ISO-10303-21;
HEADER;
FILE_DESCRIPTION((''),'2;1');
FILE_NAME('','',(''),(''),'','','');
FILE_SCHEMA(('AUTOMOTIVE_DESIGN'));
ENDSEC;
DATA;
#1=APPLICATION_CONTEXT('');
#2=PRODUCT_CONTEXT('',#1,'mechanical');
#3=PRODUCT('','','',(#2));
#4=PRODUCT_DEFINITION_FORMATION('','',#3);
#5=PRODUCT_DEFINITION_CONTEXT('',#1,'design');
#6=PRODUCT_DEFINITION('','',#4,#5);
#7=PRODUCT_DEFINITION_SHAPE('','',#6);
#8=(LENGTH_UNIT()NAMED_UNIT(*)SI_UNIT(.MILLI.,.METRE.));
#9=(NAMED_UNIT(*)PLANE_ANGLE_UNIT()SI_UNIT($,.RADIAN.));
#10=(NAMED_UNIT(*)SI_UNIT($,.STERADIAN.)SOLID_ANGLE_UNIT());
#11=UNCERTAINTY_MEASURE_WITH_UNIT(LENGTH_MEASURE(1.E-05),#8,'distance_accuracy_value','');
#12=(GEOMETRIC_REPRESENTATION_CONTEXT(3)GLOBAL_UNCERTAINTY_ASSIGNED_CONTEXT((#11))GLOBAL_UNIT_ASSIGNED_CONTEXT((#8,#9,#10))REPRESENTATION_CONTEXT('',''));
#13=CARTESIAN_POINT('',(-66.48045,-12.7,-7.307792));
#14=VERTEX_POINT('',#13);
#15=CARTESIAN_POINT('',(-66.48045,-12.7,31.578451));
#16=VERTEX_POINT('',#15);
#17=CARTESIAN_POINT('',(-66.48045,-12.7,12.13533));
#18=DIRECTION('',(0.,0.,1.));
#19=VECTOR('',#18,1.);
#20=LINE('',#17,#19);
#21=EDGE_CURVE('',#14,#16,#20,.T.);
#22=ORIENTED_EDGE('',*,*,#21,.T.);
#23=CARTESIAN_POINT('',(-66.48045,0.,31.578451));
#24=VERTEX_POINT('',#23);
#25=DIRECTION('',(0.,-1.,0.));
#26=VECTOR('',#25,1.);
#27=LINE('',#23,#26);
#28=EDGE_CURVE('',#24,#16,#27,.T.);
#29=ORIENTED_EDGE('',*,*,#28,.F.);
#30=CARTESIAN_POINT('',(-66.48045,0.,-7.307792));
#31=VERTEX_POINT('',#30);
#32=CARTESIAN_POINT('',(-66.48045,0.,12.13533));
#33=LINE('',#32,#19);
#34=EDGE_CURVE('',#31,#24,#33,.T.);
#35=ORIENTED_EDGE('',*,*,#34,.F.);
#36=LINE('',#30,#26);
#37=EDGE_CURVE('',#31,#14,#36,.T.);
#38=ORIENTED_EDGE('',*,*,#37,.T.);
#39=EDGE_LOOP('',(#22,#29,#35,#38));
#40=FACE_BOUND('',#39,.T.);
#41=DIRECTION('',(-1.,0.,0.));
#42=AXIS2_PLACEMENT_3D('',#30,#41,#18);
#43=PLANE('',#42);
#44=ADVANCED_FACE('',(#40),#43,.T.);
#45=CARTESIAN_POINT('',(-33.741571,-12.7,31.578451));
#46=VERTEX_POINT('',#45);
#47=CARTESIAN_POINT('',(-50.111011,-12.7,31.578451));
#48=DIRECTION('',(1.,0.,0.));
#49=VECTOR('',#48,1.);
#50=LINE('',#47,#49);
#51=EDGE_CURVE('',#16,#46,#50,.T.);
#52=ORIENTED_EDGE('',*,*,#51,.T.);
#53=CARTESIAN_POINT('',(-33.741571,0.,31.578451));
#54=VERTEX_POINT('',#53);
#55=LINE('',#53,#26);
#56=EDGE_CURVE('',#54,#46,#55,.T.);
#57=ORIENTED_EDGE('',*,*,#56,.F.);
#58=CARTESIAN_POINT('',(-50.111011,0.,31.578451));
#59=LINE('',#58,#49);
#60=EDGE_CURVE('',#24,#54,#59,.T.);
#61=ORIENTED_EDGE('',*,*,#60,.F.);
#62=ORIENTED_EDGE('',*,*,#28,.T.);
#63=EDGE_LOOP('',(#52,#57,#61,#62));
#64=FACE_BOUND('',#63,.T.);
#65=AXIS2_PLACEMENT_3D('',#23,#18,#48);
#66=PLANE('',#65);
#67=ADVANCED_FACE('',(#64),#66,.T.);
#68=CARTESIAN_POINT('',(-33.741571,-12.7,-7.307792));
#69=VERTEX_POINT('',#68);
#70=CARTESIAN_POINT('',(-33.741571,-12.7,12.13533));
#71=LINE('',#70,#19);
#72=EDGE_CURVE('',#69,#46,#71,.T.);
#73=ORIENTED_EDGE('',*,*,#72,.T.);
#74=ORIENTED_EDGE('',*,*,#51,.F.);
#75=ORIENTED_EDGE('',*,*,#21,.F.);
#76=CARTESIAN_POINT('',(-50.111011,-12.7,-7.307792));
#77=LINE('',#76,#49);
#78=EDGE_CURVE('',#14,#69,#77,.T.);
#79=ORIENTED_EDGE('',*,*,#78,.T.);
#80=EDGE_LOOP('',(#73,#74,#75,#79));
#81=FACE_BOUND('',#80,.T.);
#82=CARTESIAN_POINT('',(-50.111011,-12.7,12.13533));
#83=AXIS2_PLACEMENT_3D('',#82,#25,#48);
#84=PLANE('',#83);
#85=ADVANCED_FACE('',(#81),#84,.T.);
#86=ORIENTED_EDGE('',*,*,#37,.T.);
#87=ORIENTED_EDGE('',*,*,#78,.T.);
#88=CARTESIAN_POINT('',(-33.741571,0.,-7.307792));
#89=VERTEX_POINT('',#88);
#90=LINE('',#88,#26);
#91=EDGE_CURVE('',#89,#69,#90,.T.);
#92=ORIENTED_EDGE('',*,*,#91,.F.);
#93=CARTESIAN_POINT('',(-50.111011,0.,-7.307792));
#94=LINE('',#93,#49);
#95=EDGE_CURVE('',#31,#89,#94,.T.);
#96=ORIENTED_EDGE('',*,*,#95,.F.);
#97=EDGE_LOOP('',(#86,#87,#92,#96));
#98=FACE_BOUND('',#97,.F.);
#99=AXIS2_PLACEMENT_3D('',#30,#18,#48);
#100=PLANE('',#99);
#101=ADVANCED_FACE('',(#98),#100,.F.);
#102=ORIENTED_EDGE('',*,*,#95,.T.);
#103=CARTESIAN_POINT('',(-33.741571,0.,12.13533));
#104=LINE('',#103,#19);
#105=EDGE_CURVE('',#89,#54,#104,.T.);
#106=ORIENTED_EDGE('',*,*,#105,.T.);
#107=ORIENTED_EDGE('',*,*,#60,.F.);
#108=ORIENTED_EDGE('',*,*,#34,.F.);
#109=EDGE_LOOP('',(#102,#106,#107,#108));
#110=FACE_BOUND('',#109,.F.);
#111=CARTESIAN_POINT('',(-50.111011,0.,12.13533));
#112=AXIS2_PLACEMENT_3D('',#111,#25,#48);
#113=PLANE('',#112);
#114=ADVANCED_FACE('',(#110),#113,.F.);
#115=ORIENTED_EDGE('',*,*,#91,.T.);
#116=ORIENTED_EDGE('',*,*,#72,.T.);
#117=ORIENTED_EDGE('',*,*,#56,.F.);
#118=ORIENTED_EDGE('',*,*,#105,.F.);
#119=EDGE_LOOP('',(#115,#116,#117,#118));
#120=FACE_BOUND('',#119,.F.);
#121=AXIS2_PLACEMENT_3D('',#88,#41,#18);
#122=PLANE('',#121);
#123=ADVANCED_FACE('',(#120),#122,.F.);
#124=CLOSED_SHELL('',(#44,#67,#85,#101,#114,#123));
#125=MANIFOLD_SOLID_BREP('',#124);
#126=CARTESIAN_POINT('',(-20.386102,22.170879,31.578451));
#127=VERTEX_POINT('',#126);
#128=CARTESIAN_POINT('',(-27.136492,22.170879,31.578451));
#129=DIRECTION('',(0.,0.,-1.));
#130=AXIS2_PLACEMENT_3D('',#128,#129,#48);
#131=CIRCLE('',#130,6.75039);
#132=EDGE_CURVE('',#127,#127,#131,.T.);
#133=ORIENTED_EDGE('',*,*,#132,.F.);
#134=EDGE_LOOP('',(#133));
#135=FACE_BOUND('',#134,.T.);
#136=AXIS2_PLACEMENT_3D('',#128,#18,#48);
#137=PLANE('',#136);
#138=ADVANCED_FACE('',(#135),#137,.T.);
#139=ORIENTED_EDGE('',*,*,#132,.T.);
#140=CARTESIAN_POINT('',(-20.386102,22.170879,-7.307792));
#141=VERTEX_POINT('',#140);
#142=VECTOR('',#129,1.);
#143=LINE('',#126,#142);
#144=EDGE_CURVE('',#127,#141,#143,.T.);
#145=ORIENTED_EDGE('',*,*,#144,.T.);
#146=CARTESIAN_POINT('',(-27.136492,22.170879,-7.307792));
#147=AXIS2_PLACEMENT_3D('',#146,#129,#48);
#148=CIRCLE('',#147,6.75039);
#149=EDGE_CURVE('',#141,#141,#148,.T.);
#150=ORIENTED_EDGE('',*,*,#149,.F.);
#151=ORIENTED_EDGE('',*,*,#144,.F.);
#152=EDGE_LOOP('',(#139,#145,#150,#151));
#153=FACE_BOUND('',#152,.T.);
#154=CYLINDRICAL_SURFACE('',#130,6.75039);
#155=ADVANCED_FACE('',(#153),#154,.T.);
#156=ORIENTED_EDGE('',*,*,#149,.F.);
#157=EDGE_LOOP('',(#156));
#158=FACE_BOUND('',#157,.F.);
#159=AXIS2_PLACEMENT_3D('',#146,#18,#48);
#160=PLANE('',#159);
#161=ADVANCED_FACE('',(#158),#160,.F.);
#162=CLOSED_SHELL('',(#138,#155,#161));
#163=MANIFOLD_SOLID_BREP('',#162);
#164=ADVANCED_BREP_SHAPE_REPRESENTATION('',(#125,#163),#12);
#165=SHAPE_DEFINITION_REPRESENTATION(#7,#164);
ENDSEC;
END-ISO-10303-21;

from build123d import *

# Parameters (mm, degrees)
F0_W     = 32.738879323
F0_H     = 38.8862430118
F1_DEPTH = 12.7
F2_R     = 6.7503897368


with BuildPart() as f1:
    # F0 (on Front) → F1 (new body)
    with BuildSketch(Plane.XZ):
        with Locations((-50.1110106707, 12.1353298891)):
            Rectangle(F0_W, F0_H)
    extrude(amount=F1_DEPTH)


with BuildPart() as f3:
    # F3: sweep along a path in F3_path
    with BuildLine(Plane(origin=(-33.7415710092, 0, 31.578451395), x_dir=(0, 0, 1), z_dir=(0, -1, 0))) as f3_path:
        Line((0, 0), (-38.8862430118, 0))
    # F2 (on Top) → F3 (sweep)
    with BuildSketch(Plane.XY):
        with Locations((-27.1364916116, 22.1708789468)):
            Circle(F2_R)
    sweep(path=f3_path.line)


solid = Compound([f1.part, f3.part])
